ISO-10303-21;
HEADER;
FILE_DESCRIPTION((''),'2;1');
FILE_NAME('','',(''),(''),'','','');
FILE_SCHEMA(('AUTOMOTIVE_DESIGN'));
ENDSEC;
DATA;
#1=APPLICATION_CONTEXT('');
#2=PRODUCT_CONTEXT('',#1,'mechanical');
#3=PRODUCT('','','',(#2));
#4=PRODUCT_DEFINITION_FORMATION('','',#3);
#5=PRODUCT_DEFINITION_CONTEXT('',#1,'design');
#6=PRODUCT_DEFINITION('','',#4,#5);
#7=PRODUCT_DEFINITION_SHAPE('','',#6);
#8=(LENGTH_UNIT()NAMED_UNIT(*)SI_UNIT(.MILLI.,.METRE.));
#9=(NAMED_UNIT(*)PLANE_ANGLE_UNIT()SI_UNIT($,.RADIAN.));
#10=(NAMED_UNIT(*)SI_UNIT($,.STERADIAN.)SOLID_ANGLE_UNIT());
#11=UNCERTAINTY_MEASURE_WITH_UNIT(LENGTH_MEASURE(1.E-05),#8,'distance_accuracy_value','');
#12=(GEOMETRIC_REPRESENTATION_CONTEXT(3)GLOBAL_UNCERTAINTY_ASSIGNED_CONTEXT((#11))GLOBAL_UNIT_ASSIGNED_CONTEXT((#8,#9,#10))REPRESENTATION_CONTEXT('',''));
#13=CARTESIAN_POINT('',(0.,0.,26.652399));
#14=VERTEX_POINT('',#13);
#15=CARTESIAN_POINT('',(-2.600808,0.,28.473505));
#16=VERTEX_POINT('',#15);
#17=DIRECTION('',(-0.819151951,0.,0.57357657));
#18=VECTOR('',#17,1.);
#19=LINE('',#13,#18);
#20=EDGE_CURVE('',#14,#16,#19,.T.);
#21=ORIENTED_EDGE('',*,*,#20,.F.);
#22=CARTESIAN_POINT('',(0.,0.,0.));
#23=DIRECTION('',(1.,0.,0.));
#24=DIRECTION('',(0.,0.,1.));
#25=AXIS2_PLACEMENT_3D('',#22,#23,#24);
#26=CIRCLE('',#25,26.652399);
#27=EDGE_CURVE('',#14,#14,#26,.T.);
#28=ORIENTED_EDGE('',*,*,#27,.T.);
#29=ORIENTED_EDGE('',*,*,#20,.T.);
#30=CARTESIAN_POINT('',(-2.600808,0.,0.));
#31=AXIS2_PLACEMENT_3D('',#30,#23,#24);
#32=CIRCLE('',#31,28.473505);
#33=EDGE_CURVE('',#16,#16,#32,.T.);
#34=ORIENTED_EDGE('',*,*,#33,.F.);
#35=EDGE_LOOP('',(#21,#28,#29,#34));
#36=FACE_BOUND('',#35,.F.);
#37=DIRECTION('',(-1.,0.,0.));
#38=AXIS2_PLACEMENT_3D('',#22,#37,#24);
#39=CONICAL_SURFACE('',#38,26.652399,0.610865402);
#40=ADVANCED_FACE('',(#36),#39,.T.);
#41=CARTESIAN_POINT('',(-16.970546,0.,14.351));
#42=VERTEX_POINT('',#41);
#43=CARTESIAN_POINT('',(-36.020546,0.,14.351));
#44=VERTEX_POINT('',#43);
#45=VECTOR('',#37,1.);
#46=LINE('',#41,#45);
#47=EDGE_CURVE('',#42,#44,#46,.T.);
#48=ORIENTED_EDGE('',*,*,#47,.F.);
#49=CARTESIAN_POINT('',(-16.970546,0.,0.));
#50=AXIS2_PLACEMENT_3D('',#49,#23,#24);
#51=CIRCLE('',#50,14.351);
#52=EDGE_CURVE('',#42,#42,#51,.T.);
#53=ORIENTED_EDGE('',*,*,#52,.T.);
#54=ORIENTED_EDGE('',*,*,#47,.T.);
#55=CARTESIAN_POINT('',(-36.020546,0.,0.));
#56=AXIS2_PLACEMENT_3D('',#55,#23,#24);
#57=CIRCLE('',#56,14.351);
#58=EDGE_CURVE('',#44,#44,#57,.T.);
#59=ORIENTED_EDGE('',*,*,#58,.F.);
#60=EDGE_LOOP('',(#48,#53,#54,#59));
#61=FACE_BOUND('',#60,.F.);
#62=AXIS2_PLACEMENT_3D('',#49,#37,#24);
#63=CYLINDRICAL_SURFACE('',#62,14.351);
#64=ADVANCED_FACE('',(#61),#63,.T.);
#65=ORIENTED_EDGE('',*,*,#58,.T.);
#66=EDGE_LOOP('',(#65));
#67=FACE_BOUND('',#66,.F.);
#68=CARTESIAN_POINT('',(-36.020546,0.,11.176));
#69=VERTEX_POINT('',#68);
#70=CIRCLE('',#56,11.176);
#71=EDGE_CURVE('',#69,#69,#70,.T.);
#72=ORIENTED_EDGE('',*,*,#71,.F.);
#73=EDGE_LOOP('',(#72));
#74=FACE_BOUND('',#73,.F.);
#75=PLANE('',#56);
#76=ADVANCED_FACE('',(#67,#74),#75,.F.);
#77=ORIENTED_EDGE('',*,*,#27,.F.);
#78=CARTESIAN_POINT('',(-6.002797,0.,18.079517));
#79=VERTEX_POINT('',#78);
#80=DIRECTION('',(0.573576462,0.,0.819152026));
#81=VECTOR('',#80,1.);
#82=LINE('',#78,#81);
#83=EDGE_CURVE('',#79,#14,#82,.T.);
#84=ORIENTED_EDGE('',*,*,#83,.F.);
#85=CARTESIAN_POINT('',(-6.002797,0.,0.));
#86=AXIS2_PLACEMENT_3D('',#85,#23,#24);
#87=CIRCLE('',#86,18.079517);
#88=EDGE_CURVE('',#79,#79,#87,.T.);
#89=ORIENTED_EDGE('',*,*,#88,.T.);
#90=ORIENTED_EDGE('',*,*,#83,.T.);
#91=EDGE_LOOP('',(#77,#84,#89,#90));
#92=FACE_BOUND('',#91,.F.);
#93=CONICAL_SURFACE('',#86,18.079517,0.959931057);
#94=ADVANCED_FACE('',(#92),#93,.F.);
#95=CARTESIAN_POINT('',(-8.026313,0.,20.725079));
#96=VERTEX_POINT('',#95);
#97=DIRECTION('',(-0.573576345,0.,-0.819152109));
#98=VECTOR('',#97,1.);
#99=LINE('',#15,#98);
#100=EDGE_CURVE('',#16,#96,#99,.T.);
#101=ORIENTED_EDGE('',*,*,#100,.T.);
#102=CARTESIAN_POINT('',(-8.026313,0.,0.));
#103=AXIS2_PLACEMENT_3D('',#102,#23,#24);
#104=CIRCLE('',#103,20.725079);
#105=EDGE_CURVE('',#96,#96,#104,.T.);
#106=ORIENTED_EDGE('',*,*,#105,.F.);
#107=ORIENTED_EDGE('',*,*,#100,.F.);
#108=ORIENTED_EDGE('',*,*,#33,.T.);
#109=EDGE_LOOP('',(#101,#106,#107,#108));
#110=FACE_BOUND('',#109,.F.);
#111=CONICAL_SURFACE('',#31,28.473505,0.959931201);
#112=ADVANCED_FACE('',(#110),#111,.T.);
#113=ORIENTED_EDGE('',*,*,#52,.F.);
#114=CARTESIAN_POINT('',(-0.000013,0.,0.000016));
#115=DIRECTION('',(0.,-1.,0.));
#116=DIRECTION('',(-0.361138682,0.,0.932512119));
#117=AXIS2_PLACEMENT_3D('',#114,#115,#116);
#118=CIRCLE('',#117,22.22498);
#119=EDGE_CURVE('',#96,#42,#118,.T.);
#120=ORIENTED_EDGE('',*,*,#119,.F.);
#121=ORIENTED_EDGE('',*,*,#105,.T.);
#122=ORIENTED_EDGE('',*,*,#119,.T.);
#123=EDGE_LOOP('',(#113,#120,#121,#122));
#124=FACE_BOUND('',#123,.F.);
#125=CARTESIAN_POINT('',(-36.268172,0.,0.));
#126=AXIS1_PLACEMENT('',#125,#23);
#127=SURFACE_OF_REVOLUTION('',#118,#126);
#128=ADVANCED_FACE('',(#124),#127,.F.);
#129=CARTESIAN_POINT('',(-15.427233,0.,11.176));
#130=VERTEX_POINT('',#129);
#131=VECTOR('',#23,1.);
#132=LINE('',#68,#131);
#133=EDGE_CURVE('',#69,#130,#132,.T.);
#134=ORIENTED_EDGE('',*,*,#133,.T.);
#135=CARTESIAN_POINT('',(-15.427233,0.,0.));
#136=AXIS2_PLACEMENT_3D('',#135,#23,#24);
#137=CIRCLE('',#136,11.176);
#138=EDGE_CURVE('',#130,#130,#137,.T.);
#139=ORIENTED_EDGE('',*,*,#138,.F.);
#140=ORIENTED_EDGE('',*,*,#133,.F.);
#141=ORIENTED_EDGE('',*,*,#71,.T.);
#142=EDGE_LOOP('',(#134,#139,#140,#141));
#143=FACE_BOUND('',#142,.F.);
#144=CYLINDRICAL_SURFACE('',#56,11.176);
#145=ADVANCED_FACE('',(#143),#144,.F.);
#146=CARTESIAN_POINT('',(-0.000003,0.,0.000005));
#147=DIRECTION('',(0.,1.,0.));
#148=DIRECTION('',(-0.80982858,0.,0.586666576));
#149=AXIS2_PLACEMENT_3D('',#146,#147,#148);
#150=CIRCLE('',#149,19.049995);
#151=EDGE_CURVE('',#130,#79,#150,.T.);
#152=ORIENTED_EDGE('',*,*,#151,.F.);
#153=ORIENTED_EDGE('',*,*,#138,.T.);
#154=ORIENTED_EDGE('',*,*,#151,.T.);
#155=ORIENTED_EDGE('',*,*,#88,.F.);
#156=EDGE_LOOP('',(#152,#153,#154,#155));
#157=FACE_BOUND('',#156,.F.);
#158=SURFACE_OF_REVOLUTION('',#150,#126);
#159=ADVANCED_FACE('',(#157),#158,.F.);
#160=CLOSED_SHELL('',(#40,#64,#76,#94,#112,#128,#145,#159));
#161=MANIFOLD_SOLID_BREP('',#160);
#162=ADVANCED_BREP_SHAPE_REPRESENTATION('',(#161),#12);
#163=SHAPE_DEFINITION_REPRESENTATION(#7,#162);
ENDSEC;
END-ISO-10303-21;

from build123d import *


with BuildPart() as f1:
    # F0 (on Front) → F1 (revolve)
    with BuildSketch(Plane.XZ):
        with BuildLine():
            Line((-16.970546, 14.351), (-36.020546, 14.351))
            Line((-36.020546, 14.351), (-36.020546, 11.176))
            Line((-36.020546, 11.176), (-15.427233, 11.176))
            ThreePointArc((-15.427233, 11.176), (-11.257273, 15.368029), (-6.002797, 18.079517))
            Line((-6.002797, 18.079517), (0, 26.652399))
            Line((0, 26.652399), (-2.600808, 28.473505))
            Line((-2.600808, 28.473505), (-8.026313, 20.725079))
            ThreePointArc((-8.026313, 20.725079), (-12.898371, 18.099245), (-16.970546, 14.351))
        make_face()
    revolve(axis=Axis((-36.268172, 0, 0), (1, 0, 0)))


solid = f1.part
